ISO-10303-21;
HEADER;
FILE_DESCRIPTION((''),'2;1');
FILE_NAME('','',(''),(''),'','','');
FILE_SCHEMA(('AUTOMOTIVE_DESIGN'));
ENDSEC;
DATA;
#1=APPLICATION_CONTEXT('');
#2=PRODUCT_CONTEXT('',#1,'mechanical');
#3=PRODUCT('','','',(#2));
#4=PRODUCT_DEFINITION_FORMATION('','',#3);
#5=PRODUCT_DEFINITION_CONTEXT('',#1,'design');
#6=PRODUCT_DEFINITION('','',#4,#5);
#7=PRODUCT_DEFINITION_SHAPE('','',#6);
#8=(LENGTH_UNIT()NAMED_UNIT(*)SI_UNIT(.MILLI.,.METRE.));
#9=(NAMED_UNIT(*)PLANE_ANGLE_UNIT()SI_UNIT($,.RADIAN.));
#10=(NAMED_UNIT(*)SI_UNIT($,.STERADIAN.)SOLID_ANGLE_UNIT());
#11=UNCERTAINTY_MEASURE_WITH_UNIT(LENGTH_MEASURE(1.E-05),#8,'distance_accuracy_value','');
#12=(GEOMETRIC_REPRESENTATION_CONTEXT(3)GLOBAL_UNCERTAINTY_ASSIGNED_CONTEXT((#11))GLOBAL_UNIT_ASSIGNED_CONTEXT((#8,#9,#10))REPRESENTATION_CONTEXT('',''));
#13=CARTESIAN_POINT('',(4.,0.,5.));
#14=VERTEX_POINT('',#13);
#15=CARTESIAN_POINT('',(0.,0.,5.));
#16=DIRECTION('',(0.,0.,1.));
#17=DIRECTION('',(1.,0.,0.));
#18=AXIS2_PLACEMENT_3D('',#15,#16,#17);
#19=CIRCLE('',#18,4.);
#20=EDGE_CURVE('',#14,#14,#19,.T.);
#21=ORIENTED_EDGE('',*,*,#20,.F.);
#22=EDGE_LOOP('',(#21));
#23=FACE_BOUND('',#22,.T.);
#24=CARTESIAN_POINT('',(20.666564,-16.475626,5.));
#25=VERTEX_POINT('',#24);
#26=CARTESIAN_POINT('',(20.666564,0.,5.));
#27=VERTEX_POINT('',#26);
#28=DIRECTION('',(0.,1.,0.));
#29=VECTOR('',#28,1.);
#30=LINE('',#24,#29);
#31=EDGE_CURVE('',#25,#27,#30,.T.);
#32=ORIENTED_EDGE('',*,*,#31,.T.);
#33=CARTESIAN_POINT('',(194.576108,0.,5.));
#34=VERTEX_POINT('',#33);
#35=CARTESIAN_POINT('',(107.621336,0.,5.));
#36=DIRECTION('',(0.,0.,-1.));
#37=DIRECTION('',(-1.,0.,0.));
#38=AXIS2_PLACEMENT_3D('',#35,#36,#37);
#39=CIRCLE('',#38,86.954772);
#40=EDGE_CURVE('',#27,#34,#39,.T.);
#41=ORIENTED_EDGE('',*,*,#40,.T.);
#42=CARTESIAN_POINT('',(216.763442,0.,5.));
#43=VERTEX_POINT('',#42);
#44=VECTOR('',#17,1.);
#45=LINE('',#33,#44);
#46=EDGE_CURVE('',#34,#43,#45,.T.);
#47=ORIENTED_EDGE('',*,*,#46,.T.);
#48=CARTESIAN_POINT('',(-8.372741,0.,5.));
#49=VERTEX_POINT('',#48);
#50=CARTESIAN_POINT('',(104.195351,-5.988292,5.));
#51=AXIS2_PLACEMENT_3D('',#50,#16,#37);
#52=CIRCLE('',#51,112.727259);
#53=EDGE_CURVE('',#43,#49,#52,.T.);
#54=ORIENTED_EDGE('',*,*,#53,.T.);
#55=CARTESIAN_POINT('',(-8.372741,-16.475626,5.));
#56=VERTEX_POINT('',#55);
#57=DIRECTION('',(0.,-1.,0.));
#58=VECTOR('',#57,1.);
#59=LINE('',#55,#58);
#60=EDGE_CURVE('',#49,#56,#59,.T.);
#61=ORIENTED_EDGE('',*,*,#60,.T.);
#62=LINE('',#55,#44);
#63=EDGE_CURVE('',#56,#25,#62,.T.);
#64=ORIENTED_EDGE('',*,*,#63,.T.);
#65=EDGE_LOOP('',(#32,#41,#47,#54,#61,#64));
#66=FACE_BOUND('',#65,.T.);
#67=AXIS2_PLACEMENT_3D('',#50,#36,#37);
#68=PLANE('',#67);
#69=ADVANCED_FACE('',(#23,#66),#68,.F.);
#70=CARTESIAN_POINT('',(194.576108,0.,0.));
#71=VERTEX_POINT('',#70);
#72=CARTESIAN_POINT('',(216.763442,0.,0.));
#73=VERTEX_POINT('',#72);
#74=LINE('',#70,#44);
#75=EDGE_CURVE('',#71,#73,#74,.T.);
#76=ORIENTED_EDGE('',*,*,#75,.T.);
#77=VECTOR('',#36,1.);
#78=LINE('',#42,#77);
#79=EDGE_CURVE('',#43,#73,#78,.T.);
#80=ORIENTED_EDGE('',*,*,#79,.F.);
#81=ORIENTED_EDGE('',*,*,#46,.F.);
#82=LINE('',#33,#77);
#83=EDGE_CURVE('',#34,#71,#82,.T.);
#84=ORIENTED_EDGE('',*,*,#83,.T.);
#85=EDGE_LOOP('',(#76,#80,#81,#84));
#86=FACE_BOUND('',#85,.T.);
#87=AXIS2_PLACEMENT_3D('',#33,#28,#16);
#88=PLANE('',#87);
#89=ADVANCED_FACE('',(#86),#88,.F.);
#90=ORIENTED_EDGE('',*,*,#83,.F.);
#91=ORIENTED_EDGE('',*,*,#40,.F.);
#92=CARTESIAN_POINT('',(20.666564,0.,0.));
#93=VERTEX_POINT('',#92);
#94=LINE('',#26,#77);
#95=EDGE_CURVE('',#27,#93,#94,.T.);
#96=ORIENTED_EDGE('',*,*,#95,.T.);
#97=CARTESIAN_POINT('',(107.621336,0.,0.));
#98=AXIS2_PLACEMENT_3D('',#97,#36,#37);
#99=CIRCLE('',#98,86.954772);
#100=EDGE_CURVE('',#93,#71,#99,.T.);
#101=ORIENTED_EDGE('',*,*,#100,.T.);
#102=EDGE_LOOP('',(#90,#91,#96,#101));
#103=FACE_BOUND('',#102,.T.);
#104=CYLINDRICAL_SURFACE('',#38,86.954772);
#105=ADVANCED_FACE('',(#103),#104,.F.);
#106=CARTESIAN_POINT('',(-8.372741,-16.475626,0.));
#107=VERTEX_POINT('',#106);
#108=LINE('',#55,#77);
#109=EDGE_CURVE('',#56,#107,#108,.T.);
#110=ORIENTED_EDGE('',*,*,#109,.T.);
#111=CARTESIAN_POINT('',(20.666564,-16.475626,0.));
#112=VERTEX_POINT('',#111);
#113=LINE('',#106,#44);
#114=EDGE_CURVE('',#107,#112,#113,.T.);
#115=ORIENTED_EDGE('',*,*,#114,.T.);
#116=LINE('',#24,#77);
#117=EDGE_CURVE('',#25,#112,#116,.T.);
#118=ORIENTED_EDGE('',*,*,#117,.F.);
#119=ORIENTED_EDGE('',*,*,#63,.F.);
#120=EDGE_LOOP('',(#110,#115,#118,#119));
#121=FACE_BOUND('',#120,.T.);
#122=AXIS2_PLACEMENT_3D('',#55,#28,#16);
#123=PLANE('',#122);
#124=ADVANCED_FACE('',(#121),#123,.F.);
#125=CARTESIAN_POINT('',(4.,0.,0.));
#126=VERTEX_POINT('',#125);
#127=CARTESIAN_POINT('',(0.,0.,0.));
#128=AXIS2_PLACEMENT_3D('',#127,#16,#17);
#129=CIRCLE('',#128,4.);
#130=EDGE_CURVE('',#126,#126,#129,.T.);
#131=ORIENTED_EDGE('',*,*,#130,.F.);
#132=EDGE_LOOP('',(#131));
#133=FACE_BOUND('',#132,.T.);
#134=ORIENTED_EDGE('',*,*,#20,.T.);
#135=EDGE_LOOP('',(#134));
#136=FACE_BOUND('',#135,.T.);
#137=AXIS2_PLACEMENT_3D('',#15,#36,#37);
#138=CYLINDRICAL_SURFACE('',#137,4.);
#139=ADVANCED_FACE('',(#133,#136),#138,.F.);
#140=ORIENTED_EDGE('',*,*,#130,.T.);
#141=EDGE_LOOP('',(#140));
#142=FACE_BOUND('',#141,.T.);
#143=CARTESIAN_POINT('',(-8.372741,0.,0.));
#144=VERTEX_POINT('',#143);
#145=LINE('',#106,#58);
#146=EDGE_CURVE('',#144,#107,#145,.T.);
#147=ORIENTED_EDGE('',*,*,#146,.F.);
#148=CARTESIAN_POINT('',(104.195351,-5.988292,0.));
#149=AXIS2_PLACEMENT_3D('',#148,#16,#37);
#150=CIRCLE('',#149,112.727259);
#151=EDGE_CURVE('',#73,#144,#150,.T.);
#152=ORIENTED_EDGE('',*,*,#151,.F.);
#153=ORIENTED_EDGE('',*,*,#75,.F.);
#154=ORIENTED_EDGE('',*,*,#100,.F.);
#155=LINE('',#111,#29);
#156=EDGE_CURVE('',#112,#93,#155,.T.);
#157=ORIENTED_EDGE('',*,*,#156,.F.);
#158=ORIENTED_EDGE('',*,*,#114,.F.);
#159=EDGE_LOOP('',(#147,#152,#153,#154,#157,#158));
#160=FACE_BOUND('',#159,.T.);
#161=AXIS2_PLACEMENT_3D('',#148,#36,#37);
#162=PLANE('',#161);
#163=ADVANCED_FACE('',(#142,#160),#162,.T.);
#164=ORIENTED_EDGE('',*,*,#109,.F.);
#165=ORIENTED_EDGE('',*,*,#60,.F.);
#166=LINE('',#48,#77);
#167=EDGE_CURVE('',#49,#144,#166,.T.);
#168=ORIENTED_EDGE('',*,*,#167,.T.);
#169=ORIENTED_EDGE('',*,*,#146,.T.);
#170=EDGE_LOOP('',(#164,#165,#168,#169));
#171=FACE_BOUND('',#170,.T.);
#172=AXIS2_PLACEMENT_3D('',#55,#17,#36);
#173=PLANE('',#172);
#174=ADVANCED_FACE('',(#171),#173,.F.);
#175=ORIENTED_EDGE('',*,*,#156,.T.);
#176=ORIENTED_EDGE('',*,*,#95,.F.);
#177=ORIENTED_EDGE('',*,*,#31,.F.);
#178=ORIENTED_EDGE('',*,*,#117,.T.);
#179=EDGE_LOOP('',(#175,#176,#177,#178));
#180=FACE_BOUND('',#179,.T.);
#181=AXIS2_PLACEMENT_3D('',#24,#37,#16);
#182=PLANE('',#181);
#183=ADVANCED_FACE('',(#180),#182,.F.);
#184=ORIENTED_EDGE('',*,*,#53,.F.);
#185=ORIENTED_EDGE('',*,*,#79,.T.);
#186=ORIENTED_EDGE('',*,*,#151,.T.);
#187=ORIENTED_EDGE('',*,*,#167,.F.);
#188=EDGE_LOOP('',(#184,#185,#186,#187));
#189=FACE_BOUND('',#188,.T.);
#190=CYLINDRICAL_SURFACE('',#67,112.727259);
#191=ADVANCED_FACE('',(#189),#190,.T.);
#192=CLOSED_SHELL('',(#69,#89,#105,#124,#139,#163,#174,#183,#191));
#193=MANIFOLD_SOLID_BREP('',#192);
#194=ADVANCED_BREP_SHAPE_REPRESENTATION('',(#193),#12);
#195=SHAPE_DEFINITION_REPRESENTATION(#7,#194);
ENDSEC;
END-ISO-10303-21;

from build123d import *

# Parameters (mm, degrees)
SKETCH1_R           = 4
BOSS_EXTRUDE1_DEPTH = 5


with BuildPart() as part:
    # Sketch1 → Boss-Extrude1 (new body)
    with BuildSketch(Plane.XY):
        with BuildLine():
            Line((-8.372740898, -16.475626145), (20.666563893, -16.475626145))
            Line((20.666563893, -16.475626145), (20.666563893, 0))
            ThreePointArc((20.666563893, 0), (107.621336104, 86.954772211), (194.576108316, 0))
            Line((194.576108316, 0), (216.763442313, 0))
            ThreePointArc((216.763442313, 0), (104.195350708, 106.73896664), (-8.372740898, 0))
            Line((-8.372740898, 0), (-8.372740898, -16.475626145))
        make_face()
        Circle(SKETCH1_R, mode=Mode.SUBTRACT)
    extrude(amount=BOSS_EXTRUDE1_DEPTH)


solid = part.part
